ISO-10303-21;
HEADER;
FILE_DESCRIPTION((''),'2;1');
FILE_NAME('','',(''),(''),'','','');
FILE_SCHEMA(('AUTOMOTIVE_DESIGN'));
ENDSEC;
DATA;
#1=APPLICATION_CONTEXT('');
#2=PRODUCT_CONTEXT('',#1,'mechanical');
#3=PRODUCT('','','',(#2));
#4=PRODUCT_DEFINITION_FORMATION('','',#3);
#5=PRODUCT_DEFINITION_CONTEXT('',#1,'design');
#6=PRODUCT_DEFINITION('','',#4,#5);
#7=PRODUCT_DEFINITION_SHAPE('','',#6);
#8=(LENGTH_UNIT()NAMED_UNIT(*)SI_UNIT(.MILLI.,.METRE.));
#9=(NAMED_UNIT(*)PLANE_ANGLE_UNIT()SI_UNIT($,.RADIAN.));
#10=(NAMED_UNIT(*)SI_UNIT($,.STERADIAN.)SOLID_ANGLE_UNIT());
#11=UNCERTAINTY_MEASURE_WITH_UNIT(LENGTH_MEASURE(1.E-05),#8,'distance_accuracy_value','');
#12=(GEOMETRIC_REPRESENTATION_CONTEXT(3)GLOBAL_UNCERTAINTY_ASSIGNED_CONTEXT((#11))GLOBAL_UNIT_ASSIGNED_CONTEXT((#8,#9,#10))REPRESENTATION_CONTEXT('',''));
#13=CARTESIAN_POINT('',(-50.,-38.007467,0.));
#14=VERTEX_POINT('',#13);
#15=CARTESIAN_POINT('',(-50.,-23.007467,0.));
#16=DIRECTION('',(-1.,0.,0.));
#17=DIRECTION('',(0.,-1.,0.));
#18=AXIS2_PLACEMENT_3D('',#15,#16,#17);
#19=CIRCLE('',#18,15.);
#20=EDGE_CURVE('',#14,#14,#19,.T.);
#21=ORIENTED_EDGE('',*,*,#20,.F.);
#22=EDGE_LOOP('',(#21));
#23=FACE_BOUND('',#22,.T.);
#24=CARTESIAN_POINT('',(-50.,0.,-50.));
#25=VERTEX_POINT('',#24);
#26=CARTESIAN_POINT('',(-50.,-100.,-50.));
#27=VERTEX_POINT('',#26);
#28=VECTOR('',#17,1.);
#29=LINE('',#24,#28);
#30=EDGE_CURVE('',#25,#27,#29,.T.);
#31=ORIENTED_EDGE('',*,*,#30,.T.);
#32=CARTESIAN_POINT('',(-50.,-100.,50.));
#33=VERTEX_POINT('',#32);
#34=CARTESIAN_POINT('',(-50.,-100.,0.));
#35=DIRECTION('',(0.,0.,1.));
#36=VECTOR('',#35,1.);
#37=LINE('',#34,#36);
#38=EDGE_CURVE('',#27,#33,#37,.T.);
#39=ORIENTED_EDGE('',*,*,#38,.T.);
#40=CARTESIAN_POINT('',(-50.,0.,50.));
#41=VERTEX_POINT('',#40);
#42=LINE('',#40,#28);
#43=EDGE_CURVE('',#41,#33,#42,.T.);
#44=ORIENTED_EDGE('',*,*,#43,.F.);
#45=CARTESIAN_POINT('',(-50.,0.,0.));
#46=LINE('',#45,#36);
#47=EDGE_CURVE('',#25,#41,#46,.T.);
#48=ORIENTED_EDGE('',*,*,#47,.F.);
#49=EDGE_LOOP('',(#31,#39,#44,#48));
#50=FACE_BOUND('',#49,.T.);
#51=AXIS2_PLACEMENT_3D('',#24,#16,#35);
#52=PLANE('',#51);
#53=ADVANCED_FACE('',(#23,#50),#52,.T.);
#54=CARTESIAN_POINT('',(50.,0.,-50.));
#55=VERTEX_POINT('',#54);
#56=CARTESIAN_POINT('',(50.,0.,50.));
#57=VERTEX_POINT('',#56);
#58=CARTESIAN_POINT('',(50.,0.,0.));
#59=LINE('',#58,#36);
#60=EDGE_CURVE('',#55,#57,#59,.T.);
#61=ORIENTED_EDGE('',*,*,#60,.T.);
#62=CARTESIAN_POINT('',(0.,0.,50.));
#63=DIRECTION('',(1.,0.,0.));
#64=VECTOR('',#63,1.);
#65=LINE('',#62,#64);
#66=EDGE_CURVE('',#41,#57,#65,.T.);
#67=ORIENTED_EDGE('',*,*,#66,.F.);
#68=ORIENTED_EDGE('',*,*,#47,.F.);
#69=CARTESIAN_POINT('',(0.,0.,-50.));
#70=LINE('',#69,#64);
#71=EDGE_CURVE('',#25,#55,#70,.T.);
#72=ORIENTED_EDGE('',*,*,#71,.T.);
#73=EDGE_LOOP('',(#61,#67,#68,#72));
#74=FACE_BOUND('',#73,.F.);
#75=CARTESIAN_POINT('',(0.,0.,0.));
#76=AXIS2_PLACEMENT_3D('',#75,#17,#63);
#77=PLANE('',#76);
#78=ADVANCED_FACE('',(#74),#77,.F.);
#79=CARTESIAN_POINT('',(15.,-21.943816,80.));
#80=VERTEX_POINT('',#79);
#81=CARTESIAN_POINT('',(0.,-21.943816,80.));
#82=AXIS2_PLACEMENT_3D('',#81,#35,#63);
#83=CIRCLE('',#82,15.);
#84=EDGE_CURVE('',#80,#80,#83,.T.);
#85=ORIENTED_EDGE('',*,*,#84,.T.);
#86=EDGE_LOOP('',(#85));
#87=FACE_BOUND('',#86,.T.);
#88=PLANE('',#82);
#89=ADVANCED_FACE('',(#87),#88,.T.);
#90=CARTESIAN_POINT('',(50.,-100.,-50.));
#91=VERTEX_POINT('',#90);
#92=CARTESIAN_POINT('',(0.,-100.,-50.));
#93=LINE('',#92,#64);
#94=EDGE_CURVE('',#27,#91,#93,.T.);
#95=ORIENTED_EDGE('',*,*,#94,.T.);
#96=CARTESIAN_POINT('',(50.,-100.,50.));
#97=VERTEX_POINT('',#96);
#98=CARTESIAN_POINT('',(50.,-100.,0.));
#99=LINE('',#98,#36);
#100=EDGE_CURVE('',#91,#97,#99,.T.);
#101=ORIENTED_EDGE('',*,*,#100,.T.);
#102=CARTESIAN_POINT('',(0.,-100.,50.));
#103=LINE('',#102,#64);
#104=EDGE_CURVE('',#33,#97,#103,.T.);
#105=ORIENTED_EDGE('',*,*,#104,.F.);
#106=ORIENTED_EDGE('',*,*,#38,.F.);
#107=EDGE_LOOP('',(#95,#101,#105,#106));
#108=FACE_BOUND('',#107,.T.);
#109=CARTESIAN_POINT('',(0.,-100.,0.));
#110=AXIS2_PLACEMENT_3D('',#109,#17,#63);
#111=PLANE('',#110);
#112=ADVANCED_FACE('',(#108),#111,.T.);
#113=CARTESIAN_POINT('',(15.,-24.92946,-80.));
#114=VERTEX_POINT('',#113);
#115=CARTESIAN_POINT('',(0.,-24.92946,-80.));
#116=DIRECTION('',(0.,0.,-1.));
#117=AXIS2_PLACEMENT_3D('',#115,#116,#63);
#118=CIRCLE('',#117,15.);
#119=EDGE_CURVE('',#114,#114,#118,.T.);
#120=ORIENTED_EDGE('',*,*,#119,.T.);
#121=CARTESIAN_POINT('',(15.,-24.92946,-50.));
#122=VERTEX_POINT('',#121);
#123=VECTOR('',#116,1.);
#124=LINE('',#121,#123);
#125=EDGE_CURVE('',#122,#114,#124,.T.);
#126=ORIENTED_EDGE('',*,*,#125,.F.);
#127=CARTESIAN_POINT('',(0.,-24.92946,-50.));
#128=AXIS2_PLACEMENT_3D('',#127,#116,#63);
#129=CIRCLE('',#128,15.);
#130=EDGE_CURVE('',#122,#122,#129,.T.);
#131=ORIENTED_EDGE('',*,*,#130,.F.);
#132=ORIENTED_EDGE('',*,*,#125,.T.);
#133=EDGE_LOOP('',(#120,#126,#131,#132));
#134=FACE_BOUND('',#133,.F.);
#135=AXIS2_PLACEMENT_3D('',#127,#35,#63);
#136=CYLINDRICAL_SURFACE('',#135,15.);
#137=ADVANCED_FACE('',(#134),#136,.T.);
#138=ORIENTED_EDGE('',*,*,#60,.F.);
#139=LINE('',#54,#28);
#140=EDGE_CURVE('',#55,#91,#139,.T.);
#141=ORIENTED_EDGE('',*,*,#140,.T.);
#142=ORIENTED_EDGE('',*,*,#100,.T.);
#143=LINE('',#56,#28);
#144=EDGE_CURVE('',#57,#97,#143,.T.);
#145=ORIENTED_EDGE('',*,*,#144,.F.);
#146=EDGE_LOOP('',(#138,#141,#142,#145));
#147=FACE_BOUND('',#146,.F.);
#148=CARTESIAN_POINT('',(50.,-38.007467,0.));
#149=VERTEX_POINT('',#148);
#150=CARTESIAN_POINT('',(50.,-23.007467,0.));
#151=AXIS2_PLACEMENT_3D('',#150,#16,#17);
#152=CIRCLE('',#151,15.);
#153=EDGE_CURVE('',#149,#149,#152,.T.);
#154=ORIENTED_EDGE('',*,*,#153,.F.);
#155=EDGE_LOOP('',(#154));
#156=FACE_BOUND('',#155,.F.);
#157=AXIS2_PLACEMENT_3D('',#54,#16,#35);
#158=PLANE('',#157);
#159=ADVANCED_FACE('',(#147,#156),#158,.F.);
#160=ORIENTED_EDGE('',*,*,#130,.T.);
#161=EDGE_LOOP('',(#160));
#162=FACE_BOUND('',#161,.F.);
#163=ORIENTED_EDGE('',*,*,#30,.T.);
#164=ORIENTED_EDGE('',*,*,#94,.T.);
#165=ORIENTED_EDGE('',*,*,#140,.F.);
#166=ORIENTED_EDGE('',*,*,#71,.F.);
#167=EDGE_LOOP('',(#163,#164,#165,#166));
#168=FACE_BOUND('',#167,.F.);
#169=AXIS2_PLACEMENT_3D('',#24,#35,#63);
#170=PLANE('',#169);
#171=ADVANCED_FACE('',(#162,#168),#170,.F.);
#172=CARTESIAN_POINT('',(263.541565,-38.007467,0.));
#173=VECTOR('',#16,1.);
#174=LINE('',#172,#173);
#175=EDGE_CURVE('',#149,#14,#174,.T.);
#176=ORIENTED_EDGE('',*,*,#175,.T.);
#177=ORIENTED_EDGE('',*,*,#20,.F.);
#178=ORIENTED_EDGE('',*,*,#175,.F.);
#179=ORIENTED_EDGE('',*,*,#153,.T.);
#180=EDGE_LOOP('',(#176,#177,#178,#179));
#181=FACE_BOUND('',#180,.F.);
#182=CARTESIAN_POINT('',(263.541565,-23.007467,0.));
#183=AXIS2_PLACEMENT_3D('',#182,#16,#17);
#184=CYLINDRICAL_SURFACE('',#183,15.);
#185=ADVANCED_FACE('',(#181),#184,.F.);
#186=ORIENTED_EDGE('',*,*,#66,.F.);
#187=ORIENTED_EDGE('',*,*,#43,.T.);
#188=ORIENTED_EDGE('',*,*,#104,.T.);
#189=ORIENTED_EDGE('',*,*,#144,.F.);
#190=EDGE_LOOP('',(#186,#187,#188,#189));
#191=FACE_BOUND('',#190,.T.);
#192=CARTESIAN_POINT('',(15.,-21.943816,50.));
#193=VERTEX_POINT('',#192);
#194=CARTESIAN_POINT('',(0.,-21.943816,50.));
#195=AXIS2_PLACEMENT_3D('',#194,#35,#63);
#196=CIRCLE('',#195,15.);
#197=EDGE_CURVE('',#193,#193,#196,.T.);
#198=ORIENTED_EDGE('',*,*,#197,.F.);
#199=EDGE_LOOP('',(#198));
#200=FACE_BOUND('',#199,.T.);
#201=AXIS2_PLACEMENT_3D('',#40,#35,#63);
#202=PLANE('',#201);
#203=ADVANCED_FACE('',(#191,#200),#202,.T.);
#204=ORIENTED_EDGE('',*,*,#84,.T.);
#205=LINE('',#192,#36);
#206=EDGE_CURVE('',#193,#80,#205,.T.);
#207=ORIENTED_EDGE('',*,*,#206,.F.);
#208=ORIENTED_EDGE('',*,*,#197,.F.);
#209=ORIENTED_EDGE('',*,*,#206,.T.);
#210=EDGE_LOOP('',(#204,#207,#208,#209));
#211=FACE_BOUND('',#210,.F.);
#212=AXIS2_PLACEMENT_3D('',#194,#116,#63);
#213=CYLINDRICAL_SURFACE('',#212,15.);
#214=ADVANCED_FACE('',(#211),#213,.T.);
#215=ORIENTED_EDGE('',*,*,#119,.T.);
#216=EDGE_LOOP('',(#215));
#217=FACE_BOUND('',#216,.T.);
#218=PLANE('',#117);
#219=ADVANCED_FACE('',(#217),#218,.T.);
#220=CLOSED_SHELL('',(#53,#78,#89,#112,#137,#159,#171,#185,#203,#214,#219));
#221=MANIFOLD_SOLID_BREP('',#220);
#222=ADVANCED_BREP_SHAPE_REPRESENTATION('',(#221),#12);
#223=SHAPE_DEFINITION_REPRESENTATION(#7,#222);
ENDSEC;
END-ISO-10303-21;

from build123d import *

# Parameters (mm, degrees)
F0_W     = 100
F0_H     = 100
F1_DEPTH = 100
F2_R     = 15
F3_DEPTH = 30
F4_R     = 15
F5_DEPTH = 30
F7_D     = 30


with BuildPart() as f1:
    # F0 (on Front) → F1 (new body)
    with BuildSketch(Plane.XZ):
        Rectangle(F0_W, F0_H)
    extrude(amount=F1_DEPTH)

    # F2 (on face) → F3 (join)
    with BuildSketch(Plane.XY.offset(50)):
        with Locations((0, -21.943816)):
            Circle(F2_R)
    extrude(amount=F3_DEPTH)

    # F4 (on face) → F5 (join)
    with BuildSketch(Plane(origin=(0, 0, -50), x_dir=(1, 0, 0), z_dir=(0, 0, -1))):
        with Locations((0, 24.92946)):
            Circle(F4_R)
    extrude(amount=F5_DEPTH)

    # F7 (through all)
    with Locations(Plane.YZ.offset(50)):
        with Locations((-23.007467, 0)):
            Hole(F7_D / 2)


solid = f1.part
